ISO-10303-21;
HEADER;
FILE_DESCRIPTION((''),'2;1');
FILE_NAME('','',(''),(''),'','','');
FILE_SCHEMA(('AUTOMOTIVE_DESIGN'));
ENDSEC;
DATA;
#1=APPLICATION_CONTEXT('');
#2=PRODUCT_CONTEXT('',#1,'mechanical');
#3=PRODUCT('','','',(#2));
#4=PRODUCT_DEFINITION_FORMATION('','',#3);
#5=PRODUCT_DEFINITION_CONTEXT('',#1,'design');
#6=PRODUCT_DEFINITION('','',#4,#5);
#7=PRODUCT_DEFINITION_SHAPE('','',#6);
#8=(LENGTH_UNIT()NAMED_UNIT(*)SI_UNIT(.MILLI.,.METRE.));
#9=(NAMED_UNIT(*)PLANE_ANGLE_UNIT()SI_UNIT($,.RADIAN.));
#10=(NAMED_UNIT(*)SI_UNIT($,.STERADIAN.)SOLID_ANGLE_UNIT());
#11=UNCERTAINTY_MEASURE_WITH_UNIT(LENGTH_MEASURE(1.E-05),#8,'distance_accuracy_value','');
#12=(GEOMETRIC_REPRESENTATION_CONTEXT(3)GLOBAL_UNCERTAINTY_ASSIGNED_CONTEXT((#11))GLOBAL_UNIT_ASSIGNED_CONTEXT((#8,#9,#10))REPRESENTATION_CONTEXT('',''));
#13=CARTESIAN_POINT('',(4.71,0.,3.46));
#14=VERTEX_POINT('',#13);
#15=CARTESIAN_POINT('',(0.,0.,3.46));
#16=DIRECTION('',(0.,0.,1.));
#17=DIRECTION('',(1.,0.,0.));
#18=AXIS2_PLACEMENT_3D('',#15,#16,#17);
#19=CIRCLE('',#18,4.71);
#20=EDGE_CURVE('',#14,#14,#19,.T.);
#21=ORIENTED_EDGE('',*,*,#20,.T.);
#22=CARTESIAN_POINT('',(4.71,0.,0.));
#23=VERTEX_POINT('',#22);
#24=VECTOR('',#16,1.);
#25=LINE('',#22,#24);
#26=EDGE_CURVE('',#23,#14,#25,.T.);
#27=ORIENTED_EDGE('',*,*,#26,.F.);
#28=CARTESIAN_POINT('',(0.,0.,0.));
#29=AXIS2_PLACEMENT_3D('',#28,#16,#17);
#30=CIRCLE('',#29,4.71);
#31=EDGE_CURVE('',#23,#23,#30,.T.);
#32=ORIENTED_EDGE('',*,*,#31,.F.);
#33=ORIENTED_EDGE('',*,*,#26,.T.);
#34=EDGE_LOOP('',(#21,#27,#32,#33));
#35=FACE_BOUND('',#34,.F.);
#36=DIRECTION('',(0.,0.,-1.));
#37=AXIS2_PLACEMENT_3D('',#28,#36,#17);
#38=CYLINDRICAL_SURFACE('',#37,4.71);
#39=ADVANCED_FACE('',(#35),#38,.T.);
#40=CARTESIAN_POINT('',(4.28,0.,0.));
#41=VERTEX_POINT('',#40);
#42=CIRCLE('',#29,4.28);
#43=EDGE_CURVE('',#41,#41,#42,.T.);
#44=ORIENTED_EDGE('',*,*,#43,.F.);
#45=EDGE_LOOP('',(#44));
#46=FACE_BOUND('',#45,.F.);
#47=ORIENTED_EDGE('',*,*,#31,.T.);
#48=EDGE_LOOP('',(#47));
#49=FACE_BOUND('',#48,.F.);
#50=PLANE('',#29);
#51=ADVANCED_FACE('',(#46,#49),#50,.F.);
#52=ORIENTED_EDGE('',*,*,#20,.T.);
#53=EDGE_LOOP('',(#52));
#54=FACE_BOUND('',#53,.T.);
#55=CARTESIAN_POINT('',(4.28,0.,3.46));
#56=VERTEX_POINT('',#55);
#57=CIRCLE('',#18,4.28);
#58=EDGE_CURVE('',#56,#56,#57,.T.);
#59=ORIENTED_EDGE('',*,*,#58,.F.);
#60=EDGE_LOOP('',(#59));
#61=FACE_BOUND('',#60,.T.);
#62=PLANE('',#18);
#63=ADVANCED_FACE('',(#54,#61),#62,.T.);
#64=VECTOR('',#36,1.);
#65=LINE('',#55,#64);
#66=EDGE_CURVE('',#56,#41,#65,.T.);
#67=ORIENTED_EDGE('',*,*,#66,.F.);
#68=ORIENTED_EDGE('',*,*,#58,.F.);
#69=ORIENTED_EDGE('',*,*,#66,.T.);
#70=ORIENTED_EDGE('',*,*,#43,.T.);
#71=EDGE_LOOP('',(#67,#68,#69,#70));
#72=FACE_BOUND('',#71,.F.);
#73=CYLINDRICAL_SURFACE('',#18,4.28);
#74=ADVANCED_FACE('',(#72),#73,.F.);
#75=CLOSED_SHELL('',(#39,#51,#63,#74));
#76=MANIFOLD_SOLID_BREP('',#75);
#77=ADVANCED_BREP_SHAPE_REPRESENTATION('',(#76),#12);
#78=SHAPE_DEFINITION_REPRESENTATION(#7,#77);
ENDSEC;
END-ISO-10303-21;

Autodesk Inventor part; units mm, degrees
ref_plane "YZ Plane" through (0, 0, 0) normal (1, 0, 0) x (0, 1, 0)
ref_plane "XZ Plane" through (0, 0, 0) normal (0, 1, 0) x (-1, 0, 0)
ref_plane "XY Plane" through (0, 0, 0) normal (0, 0, 1) x (1, 0, 0)
sketch "Sketch1" plane through (0, 0, 0) normal (0, 0, 1) x (1, 0, 0)
  circle A0 centre (0, 0) radius 4.71
  dimension "d0" = 9.42
extrude "Extrusion1" add sketch "Sketch1" along normal blind 3.46
sketch "Sketch2" plane through (0, 0, 3.46) normal (0, 0, 1) x (1, 0, 0)
  circle A0 centre (0, 0) radius 4.28
  dimension "d3" = 8.56
extrude "Extrusion2" cut sketch "Sketch2" against normal through all
properties part number "MIRROR_G_2"
